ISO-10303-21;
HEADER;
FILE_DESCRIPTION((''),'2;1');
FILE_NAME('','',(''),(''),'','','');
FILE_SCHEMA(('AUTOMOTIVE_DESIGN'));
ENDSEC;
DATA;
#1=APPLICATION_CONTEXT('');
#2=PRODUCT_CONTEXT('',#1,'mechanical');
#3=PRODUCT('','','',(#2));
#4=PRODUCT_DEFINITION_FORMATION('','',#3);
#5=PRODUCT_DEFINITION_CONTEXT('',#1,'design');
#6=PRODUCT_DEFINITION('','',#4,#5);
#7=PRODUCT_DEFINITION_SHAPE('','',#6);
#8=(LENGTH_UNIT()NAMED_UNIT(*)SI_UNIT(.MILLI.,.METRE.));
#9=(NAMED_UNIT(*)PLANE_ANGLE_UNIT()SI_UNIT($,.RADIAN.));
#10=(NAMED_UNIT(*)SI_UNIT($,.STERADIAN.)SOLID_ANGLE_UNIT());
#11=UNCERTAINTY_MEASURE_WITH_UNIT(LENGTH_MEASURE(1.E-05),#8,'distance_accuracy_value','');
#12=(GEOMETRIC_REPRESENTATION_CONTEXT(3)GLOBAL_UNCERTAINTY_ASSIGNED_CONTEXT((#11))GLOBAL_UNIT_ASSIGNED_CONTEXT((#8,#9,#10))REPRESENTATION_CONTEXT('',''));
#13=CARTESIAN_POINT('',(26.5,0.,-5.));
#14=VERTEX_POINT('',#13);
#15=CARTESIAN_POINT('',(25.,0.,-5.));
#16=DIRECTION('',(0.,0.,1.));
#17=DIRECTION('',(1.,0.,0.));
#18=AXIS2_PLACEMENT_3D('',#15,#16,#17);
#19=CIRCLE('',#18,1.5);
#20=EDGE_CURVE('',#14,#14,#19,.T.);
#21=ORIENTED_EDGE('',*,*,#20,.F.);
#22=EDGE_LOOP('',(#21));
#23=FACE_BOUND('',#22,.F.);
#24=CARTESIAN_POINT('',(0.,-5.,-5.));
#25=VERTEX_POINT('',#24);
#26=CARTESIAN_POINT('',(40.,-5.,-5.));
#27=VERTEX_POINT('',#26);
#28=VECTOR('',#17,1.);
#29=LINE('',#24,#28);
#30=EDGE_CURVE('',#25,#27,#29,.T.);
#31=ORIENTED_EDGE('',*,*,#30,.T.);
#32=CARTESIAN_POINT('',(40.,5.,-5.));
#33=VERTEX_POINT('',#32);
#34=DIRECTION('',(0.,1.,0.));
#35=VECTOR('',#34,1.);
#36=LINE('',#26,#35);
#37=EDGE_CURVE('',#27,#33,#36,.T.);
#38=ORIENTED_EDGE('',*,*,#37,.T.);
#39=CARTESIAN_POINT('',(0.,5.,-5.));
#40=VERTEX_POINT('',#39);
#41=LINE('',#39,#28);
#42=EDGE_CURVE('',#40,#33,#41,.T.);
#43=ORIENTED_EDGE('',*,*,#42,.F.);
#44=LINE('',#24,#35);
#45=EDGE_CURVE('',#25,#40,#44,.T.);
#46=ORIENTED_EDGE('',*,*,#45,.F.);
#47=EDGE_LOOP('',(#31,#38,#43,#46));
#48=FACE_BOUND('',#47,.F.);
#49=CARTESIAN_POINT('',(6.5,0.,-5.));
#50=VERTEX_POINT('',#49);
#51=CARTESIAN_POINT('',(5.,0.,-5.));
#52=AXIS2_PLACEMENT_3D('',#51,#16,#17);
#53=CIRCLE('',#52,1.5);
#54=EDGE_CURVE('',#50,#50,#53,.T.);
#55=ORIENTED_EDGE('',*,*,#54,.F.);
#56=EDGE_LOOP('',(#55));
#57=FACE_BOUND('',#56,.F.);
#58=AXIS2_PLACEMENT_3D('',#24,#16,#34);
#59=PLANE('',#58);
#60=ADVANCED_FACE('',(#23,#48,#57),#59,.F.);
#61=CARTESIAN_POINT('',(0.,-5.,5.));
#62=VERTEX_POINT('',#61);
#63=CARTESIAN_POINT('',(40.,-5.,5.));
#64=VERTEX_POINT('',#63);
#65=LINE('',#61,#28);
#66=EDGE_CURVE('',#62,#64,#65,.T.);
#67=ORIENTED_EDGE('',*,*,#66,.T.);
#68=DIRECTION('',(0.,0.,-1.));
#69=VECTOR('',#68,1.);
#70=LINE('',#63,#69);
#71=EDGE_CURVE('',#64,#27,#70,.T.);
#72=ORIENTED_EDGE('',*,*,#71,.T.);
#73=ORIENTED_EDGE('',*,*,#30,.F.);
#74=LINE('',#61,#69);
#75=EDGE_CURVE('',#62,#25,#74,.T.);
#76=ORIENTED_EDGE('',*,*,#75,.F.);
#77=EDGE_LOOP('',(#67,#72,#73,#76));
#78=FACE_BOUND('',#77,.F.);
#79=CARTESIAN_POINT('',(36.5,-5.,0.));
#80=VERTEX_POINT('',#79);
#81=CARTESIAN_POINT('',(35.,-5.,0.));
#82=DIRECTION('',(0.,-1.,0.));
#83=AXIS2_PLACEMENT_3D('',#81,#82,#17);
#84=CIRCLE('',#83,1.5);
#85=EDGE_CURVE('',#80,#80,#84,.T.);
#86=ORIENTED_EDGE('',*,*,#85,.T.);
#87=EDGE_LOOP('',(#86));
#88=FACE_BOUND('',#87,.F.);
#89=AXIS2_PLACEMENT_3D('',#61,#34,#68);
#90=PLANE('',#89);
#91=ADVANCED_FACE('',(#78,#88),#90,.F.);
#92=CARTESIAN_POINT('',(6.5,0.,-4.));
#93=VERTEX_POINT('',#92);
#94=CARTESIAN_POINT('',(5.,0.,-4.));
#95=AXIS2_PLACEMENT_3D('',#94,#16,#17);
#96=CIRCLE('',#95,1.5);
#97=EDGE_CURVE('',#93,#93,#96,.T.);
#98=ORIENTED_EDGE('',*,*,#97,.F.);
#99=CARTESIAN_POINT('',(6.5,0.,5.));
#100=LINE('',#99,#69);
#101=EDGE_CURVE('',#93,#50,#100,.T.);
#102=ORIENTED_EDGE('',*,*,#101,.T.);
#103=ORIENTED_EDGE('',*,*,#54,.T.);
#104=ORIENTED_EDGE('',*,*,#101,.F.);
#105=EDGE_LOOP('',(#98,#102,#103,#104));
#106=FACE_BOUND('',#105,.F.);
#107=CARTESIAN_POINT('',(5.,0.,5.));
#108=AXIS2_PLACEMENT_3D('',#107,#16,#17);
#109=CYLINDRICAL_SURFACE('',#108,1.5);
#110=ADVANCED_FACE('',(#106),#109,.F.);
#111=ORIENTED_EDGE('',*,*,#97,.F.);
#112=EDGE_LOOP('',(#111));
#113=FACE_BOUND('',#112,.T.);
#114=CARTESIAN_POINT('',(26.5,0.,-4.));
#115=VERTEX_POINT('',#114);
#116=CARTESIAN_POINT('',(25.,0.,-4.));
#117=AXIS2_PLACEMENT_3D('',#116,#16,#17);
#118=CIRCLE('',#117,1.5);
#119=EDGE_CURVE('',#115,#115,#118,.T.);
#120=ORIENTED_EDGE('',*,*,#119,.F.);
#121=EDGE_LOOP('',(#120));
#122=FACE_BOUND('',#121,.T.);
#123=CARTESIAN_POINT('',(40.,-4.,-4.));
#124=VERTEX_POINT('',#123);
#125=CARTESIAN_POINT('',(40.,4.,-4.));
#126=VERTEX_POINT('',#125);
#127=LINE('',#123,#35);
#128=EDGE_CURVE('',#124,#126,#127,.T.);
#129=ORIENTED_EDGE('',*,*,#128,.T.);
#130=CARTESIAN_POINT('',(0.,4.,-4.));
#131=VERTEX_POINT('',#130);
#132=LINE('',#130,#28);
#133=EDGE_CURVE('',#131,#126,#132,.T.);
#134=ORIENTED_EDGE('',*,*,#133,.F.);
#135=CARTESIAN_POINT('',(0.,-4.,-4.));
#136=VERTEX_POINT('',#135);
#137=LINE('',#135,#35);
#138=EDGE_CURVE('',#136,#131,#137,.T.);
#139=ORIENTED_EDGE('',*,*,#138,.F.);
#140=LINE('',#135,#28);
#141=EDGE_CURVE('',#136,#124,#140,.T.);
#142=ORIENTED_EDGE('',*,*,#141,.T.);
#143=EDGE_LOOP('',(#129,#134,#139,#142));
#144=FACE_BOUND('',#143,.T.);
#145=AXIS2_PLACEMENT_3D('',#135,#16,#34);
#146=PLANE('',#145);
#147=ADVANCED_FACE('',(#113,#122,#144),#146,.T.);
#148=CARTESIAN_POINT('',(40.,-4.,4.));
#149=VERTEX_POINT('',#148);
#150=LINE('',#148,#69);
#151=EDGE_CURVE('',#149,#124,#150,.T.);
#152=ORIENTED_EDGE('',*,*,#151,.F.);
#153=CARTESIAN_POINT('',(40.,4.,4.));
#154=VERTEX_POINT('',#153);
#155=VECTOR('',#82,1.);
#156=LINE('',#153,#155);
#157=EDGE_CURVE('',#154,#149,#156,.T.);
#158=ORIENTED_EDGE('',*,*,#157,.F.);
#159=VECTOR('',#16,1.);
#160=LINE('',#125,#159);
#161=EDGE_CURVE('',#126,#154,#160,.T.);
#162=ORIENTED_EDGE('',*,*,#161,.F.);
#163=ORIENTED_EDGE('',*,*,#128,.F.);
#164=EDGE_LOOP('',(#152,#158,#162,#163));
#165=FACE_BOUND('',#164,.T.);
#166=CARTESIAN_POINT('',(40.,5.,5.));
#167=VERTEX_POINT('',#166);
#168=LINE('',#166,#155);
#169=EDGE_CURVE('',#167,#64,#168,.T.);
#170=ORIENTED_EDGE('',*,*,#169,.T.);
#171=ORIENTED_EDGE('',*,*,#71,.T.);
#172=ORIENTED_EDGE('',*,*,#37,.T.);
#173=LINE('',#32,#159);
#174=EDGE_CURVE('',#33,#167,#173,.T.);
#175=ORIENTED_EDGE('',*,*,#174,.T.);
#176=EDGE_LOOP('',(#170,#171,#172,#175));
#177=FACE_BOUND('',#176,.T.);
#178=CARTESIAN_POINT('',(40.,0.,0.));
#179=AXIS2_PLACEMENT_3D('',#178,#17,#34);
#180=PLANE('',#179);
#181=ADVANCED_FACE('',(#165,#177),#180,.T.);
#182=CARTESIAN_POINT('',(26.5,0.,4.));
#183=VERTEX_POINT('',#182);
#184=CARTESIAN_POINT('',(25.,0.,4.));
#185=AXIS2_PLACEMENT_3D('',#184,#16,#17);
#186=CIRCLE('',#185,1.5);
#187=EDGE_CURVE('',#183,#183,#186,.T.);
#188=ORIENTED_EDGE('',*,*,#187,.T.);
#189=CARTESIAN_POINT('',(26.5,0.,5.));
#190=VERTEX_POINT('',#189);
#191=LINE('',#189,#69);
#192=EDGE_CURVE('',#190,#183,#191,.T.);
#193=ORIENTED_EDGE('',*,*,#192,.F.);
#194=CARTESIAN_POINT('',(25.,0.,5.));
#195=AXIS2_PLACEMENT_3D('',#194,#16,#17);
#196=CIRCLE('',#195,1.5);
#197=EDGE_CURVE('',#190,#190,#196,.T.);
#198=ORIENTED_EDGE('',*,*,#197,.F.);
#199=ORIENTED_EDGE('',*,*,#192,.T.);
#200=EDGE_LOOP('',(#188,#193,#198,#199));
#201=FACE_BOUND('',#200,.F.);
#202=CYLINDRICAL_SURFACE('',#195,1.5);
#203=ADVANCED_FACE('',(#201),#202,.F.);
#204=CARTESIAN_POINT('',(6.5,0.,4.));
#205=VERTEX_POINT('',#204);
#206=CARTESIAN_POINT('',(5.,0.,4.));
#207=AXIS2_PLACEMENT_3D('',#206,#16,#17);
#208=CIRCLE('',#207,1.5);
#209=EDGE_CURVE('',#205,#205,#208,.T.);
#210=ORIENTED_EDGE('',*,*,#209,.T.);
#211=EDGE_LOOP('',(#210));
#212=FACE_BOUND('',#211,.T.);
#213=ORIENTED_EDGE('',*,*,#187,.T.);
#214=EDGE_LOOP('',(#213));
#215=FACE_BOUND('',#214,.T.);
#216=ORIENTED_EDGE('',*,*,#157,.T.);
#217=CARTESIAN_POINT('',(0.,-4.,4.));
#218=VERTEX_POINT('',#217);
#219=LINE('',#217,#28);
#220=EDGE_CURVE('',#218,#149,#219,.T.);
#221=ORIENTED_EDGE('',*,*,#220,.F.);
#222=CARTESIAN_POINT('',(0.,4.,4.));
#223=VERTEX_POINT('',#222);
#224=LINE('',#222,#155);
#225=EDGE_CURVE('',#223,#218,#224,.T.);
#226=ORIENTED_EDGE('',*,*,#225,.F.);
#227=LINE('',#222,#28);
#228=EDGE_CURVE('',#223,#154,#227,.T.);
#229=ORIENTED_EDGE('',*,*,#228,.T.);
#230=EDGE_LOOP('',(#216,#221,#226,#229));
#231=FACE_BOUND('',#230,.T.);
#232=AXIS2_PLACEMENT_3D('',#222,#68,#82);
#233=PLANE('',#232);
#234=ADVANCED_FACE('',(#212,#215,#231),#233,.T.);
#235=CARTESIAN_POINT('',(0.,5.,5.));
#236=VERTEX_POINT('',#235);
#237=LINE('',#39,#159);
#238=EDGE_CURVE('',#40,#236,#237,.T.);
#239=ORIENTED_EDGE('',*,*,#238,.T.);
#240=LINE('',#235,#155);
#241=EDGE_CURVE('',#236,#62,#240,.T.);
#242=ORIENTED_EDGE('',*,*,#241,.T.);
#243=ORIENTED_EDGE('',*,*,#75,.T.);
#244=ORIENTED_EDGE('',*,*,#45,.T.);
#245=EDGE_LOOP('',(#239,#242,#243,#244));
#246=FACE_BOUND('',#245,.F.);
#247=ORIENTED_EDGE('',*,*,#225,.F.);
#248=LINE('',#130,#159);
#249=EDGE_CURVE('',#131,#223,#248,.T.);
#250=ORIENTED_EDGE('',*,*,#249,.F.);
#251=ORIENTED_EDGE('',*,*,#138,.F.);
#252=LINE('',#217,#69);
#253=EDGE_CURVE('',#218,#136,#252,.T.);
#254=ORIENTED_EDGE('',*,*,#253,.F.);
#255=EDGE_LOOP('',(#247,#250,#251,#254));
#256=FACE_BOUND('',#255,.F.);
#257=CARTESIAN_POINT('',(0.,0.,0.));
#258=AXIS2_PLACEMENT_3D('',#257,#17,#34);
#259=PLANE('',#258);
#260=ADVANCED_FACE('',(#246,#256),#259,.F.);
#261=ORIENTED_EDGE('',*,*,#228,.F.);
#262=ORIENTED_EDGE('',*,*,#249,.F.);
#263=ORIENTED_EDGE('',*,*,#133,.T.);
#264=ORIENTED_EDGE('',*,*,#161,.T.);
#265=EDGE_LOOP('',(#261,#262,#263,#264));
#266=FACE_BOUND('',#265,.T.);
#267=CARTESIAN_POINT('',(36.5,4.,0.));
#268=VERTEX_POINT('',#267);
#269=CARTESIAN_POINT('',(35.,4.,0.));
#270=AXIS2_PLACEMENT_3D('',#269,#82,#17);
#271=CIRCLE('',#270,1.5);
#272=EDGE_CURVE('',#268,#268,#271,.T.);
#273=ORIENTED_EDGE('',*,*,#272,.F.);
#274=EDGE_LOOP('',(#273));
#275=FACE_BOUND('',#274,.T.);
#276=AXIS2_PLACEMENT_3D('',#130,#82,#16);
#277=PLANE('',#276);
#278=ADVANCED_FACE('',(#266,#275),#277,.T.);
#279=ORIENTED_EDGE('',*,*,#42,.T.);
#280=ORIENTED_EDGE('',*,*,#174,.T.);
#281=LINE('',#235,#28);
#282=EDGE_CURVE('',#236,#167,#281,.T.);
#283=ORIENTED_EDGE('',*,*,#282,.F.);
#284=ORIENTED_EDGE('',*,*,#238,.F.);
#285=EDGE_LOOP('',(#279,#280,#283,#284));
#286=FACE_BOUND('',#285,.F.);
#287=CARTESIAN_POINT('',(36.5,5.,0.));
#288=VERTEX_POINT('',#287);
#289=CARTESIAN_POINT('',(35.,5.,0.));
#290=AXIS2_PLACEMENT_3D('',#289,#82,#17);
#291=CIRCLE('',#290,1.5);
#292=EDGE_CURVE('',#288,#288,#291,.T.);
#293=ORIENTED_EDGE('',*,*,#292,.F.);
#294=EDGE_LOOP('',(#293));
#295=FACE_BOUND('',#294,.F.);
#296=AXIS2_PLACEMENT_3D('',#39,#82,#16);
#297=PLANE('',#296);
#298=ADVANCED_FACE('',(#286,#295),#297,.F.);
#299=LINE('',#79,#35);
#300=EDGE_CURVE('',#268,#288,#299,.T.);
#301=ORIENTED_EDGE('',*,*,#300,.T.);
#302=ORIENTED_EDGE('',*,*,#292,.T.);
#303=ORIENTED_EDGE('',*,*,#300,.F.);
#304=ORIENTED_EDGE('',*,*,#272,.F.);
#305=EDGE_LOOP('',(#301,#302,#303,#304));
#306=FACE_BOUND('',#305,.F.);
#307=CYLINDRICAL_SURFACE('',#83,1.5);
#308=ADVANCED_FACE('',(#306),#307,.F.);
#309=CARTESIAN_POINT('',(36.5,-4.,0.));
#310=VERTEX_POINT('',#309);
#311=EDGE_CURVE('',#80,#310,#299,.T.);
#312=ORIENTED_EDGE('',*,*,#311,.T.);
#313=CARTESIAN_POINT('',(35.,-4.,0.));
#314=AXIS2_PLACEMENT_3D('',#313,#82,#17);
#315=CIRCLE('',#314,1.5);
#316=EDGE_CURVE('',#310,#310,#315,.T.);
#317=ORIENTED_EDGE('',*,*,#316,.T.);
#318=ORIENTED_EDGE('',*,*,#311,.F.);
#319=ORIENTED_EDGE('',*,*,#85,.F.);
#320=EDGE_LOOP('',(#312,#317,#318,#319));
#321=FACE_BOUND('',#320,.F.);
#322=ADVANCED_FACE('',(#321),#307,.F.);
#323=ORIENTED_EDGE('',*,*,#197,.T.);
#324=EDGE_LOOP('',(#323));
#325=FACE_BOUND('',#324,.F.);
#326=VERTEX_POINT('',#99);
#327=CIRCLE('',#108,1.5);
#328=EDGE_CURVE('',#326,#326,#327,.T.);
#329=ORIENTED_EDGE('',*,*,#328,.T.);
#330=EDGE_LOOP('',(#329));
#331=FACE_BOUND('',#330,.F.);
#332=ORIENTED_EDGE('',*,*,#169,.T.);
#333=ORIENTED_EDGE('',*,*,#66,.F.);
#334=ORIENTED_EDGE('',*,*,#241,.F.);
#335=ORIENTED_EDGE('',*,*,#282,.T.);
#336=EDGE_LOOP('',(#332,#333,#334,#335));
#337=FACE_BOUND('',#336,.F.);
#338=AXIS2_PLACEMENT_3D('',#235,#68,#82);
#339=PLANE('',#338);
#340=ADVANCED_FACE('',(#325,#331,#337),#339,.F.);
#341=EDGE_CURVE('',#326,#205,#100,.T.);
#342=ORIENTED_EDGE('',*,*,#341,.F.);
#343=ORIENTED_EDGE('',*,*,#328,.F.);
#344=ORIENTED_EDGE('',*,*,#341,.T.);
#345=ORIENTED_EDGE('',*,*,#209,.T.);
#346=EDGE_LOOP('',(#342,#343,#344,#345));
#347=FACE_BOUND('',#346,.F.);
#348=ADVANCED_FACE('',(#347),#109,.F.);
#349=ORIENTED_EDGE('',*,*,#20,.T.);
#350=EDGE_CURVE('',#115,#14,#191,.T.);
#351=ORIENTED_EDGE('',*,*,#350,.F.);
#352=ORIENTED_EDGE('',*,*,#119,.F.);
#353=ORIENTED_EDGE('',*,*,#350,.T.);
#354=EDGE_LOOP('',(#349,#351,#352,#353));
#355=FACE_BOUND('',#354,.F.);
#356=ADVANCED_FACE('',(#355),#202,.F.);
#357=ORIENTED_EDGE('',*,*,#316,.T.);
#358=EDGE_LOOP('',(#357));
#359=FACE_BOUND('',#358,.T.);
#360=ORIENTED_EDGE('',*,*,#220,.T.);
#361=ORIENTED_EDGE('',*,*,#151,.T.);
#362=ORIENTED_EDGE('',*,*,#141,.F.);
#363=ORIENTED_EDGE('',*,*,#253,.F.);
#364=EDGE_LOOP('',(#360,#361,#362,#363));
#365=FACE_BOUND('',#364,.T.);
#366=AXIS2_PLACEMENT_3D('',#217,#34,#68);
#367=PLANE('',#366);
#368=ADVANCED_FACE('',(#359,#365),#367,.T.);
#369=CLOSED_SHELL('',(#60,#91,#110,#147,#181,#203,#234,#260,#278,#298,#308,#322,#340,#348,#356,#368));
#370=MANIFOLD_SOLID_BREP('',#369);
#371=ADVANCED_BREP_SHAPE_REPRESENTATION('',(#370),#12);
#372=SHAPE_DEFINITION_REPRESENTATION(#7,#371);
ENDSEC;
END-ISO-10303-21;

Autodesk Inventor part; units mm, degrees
ref_plane "YZ Plane" through (0, 0, 0) normal (1, 0, 0) x (0, 1, 0)
ref_plane "XZ Plane" through (0, 0, 0) normal (0, 1, 0) x (-1, 0, 0)
ref_plane "XY Plane" through (0, 0, 0) normal (0, 0, 1) x (1, 0, 0)
sketch "スケッチ1" plane through (0, 0, 0) normal (1, 0, 0) x (0, 1, 0)
  line L0 (5, 5) -> (-5, 5)
  line L1 (-5, 5) -> (-5, -5)
  line L2 (-5, -5) -> (5, -5)
  line L3 (5, -5) -> (5, 5)
  line L4 (4, 4) -> (-4, 4)
  line L5 (-4, 4) -> (-4, -4)
  line L6 (-4, -4) -> (4, -4)
  line L7 (4, -4) -> (4, 4)
  point P0 (0, 0)
  dimension "d0" = 1
  dimension "d1" = 1
  dimension "d2" = 1
  dimension "d3" = 1
  dimension "d4" = 10
  dimension "d5" = 10
  dimension "d6" = 5
  dimension "d7" = 5
extrude "押し出し1" add sketch "スケッチ1" along normal blind 40
sketch "スケッチ2" plane through (0, -5, 5) normal (0, 0, 1) x (1, 0, 0)
  circle A0 centre (5, 5) radius 1.5
  circle A1 centre (25, 5) radius 1.5
  line L0 (0, 10) -> (0, 0) projected
  line L1 (0, 0) -> (40, 0) projected
  line L2 (40, 10) -> (40, 0) projected
  point P0 (0, 5)
  dimension "d10" = 5
  dimension "d11" = 5
  dimension "d12" = 5
  dimension "d13" = 15
  dimension "d14" = 3
  dimension "d15" = 3
extrude "押し出し2" cut sketch "スケッチ2" against normal blind 30
sketch "スケッチ3" plane through (0, -5, -5) normal (0, -1, 0) x (1, 0, 0)
  circle A0 centre (35, 5) radius 1.5
  line L0 (40, 10) -> (40, 0) projected
  line L1 (0, 0) -> (40, 0) projected
  point P0 (0, 5)
  dimension "d18" = 5
  dimension "d19" = 5
  dimension "d20" = 3
extrude "押し出し3" cut sketch "スケッチ3" against normal blind 30
properties part number "モーターパーツ２" material "アルミニウム 6061"
